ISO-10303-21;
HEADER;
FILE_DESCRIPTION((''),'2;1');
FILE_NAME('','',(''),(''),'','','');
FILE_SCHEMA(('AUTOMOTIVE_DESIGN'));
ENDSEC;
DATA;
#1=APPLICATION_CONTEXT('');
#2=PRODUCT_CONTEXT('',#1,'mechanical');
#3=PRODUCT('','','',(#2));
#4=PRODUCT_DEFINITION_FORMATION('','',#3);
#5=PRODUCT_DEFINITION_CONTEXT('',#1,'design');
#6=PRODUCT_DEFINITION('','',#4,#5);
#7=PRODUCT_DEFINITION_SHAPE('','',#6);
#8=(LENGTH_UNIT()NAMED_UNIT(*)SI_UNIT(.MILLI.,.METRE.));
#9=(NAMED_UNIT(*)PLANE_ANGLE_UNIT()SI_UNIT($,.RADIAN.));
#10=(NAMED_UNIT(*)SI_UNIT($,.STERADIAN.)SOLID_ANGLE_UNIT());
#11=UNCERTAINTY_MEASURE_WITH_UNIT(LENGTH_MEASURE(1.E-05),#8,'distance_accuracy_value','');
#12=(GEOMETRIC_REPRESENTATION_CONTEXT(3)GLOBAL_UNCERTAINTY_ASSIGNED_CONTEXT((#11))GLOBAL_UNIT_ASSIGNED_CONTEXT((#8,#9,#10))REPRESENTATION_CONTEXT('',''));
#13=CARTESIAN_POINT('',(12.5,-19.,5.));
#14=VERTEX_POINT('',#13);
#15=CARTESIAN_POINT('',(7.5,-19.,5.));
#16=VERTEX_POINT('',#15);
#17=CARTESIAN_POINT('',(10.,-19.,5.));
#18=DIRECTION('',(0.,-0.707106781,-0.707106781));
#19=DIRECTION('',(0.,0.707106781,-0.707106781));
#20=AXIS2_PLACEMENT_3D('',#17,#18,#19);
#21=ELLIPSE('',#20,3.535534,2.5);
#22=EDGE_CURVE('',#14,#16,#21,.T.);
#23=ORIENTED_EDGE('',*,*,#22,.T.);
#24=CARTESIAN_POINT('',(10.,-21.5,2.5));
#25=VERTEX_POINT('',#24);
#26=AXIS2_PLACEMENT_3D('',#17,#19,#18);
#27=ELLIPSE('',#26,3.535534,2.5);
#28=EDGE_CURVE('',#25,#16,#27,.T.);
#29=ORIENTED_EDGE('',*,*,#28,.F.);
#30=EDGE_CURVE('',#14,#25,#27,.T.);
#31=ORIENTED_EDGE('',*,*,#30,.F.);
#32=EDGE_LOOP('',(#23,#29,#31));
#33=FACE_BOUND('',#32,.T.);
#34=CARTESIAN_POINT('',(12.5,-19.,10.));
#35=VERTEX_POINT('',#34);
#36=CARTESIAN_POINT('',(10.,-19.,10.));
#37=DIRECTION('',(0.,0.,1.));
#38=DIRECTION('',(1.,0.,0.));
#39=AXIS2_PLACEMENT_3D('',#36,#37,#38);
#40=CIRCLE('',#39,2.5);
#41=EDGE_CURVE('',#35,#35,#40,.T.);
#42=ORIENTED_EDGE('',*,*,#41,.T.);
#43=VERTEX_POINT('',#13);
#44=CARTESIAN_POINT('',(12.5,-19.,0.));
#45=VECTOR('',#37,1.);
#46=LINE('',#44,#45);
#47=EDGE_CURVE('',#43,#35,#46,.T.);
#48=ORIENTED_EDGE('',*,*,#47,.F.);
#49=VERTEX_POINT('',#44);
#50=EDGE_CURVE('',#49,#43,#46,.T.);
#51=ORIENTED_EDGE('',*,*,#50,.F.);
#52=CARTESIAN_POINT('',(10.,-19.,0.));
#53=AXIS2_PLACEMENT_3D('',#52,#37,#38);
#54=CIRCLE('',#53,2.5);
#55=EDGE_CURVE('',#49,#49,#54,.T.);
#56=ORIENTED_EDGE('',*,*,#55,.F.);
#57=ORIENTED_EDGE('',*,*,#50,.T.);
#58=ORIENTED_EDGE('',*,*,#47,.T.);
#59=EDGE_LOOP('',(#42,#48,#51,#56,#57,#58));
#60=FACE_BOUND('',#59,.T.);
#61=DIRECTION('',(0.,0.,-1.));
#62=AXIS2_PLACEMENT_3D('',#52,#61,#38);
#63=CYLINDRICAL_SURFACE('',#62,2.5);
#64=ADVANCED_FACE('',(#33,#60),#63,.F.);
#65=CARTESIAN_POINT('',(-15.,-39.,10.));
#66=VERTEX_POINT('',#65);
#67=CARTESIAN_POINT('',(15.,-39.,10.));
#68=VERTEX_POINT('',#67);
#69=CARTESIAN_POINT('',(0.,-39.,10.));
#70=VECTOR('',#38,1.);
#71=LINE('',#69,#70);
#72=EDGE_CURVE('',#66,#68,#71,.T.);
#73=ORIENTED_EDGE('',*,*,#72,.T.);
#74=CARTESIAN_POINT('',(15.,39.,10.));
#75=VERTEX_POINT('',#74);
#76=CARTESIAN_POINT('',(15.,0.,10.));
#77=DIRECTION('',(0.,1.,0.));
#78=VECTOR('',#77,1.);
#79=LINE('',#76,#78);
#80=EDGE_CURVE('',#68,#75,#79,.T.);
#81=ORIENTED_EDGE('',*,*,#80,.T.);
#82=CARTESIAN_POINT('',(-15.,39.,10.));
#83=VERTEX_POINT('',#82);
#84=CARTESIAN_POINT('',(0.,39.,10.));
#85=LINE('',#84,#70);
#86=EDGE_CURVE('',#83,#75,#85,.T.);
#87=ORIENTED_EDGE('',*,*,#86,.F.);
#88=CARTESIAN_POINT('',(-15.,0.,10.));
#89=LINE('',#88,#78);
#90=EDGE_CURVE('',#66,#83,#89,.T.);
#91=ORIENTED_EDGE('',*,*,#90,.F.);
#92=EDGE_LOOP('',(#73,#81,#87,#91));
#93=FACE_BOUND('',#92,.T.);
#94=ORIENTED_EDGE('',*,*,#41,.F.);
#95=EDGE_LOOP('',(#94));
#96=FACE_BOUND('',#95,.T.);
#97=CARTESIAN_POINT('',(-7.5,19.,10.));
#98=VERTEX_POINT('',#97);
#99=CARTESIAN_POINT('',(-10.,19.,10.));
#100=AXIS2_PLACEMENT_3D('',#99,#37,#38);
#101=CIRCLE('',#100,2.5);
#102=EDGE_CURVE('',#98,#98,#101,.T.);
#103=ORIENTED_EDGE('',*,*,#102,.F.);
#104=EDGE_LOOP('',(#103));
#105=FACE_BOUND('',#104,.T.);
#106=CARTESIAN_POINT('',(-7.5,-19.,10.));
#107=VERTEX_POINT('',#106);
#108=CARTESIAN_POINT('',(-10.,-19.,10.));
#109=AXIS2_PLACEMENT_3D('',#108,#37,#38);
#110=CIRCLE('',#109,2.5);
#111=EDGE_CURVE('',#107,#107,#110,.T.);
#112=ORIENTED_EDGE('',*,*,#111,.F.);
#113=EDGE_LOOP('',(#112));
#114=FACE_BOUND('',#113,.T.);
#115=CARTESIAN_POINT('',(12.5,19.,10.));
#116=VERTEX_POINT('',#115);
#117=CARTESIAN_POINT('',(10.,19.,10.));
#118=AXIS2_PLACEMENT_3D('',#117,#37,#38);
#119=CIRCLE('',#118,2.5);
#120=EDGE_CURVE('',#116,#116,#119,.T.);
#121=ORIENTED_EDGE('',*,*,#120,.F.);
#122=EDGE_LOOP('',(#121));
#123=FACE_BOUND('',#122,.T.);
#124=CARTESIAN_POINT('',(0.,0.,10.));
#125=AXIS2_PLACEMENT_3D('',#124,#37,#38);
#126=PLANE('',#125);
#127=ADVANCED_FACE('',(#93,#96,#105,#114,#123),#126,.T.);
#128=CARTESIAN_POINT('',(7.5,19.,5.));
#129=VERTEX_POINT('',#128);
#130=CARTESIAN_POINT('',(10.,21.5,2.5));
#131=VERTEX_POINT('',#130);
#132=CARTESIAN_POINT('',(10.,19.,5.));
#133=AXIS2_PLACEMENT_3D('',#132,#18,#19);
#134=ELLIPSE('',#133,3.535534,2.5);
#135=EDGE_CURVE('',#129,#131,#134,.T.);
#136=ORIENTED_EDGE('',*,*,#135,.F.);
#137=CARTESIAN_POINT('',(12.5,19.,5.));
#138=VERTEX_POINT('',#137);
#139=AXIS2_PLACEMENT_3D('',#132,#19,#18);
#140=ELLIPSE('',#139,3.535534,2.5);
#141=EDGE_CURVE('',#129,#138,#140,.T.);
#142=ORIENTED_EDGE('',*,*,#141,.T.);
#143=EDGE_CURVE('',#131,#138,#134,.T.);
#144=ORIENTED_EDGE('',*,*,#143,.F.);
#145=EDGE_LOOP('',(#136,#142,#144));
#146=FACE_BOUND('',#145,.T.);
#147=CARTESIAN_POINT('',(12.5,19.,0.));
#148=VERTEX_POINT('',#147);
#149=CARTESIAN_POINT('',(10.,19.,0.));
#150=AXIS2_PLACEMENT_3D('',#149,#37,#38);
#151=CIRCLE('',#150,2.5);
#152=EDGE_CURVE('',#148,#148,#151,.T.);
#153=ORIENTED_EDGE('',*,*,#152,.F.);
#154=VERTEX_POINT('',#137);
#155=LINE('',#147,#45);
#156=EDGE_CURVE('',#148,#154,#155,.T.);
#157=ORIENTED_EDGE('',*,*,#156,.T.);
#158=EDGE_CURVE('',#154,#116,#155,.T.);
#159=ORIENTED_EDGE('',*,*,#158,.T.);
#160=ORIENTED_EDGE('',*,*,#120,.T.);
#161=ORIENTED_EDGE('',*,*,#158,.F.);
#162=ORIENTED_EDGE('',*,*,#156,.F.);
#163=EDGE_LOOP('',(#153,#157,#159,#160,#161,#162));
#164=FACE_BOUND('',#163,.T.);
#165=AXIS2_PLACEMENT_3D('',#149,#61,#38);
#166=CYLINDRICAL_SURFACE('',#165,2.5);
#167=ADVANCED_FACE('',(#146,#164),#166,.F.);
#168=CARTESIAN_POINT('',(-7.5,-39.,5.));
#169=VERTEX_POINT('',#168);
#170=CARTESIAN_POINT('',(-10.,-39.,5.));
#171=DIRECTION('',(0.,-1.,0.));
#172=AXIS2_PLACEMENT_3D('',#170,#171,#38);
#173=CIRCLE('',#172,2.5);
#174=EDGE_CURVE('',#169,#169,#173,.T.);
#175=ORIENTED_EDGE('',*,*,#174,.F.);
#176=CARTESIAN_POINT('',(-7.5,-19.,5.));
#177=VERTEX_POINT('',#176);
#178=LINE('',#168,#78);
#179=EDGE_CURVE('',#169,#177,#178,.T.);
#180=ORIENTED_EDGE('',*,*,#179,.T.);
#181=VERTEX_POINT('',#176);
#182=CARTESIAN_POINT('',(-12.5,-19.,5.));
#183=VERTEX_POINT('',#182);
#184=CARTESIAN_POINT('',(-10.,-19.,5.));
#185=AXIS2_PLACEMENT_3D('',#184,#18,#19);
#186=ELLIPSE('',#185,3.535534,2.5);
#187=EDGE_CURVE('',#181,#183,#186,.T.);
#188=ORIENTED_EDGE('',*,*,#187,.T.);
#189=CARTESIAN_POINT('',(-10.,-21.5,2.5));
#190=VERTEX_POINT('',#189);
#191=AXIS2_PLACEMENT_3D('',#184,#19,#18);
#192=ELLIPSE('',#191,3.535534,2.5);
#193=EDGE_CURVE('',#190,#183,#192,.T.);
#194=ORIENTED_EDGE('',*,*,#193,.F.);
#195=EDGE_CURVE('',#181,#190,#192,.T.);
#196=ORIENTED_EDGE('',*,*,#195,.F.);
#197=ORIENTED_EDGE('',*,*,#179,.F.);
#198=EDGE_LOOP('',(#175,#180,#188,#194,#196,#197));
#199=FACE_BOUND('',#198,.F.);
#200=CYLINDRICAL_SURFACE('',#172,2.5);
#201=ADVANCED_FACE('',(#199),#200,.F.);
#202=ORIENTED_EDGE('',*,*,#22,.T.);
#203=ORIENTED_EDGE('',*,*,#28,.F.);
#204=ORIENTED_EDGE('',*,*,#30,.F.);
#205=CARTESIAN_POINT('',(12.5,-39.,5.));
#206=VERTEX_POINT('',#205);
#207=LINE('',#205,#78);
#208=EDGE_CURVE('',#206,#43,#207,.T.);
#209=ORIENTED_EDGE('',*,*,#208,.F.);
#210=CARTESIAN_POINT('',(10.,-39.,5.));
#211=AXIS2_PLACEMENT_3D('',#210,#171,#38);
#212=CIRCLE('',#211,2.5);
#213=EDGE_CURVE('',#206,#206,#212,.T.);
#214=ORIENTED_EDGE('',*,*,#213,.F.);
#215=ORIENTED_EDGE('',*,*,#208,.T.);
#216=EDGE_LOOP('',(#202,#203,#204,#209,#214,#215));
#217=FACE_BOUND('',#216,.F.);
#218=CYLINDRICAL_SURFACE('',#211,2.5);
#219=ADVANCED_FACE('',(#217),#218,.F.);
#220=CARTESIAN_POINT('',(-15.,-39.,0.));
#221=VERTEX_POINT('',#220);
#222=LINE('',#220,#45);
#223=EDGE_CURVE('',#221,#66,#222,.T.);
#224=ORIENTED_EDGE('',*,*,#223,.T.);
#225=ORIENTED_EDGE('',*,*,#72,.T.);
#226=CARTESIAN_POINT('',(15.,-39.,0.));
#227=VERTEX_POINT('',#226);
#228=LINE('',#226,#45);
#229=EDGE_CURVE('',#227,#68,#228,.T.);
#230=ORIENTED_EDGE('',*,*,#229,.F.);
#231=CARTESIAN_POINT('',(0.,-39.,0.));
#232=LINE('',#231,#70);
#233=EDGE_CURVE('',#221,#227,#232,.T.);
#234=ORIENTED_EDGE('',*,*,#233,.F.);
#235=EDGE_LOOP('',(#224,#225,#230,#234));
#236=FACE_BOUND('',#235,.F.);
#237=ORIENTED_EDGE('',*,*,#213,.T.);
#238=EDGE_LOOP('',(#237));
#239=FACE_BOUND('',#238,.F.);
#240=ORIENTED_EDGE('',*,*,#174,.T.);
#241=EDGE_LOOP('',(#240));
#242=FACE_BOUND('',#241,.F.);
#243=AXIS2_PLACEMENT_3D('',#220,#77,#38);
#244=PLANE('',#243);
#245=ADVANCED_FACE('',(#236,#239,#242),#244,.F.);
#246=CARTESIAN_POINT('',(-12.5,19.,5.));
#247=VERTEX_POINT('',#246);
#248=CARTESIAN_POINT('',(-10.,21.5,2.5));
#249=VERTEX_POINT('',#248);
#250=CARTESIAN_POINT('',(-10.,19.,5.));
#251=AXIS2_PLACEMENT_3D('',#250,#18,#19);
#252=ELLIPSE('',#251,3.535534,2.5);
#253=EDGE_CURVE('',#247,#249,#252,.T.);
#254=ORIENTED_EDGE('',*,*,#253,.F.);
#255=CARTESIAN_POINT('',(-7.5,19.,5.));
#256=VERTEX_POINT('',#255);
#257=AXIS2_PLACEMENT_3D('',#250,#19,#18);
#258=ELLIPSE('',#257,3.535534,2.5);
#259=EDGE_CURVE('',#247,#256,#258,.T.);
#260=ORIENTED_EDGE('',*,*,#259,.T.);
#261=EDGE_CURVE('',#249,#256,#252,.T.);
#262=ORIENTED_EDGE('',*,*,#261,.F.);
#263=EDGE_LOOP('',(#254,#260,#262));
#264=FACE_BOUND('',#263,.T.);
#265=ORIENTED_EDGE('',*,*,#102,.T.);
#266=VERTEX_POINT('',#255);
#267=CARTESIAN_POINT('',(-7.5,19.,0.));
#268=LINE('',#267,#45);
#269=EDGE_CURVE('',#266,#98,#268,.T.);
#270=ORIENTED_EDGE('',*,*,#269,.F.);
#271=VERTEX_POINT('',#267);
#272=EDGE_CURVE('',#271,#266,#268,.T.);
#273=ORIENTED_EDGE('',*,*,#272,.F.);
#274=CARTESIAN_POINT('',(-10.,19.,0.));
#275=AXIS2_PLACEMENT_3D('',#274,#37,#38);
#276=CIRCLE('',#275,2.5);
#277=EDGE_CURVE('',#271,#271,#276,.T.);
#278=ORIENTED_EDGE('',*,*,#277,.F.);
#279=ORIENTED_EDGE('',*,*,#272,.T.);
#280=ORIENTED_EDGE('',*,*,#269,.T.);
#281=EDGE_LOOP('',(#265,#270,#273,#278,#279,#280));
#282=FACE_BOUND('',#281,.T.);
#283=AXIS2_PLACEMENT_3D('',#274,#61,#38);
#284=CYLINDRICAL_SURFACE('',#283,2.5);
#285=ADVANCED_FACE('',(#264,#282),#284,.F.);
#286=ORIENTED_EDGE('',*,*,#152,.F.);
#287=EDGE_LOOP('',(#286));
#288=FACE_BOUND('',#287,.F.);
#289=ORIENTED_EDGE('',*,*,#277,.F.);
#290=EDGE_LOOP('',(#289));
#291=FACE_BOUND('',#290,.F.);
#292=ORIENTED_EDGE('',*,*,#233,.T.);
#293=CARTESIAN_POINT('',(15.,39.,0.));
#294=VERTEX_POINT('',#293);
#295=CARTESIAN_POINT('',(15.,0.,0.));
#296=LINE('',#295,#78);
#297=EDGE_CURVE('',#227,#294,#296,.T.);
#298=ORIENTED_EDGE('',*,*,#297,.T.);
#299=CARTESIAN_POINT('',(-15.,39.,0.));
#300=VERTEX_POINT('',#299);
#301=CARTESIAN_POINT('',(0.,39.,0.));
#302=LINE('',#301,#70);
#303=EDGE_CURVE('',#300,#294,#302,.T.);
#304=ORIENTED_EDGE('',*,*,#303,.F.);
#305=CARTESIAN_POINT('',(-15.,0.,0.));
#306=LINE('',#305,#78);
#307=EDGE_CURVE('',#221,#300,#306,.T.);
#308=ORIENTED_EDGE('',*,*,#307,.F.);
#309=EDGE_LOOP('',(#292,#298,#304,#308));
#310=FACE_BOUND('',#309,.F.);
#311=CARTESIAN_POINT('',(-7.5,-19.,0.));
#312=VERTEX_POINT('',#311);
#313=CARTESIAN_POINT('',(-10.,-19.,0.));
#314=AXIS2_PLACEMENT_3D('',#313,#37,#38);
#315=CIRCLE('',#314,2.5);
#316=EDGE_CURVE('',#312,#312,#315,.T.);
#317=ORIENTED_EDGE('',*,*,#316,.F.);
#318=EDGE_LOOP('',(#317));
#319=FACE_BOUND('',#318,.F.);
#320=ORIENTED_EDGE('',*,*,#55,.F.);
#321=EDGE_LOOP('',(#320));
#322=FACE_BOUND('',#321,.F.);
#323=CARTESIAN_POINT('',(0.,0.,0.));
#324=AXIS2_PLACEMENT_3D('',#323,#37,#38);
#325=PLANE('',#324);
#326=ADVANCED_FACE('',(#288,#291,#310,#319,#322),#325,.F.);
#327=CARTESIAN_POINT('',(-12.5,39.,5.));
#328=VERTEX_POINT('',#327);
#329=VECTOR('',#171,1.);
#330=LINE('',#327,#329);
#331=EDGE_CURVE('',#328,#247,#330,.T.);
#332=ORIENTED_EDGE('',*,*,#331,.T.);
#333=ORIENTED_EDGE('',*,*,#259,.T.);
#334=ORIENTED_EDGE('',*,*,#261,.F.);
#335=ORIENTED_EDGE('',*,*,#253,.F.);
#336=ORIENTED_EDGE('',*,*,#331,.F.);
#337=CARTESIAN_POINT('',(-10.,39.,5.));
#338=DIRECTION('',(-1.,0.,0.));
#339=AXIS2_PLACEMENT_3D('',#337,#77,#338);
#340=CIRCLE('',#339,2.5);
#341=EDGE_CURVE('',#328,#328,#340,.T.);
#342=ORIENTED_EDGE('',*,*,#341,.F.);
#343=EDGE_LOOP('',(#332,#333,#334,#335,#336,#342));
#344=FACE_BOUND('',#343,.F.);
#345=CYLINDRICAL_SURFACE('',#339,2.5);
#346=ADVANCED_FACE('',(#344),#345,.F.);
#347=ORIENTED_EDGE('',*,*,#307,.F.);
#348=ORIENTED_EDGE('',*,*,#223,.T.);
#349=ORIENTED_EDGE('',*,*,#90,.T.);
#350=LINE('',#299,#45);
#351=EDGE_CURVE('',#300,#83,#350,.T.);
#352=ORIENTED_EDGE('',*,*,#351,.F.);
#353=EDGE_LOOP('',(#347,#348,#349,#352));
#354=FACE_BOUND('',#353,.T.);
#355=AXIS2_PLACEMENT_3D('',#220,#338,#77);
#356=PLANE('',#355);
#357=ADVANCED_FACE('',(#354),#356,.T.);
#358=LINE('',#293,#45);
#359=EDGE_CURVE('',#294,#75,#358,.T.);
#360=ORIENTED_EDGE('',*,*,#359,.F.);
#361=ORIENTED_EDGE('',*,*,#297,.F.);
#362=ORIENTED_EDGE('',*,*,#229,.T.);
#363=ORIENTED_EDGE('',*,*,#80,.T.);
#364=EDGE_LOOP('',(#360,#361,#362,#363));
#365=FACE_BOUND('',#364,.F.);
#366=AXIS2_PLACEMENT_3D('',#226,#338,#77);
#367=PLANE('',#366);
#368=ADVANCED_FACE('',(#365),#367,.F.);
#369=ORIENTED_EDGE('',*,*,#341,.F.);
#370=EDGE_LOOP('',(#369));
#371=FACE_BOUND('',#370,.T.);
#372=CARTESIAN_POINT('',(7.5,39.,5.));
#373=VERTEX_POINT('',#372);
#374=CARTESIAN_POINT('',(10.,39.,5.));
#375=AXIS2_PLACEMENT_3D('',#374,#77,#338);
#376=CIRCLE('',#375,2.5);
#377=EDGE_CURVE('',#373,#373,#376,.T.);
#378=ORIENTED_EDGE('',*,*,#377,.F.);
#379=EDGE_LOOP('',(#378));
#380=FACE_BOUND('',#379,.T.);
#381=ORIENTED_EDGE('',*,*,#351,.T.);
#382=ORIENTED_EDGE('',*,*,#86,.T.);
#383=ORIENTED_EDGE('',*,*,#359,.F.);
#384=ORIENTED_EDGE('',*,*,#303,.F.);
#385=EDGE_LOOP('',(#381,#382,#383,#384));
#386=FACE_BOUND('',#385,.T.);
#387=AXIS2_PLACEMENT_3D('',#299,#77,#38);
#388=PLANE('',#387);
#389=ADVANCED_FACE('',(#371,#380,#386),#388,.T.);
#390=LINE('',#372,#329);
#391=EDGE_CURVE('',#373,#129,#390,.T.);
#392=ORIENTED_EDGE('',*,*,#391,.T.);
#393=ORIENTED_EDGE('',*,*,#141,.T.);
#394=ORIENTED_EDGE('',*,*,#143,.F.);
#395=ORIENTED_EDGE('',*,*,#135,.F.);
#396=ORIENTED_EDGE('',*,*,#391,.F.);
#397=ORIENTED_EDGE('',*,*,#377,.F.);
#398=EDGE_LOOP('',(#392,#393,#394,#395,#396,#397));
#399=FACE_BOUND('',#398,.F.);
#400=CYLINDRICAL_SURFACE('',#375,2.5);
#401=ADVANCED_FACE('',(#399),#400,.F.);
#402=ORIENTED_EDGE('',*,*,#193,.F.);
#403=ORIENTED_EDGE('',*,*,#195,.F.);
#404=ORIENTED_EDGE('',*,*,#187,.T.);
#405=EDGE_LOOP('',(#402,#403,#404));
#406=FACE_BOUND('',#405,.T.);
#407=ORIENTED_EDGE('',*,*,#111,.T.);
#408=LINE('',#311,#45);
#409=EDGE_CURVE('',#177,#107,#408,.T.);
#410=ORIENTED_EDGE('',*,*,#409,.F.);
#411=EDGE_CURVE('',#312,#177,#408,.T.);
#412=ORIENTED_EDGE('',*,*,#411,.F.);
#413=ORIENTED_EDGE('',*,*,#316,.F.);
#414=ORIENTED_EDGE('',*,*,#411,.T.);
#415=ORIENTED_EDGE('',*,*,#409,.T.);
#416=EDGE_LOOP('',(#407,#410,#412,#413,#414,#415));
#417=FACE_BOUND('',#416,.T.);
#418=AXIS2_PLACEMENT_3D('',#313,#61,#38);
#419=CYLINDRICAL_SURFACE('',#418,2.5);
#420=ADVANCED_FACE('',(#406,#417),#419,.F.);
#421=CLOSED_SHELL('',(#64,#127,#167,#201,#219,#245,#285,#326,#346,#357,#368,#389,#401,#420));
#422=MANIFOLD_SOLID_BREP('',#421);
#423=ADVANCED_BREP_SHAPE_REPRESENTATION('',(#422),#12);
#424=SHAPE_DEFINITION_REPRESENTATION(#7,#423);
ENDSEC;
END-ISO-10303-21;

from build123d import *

# Parameters (mm, degrees)
F0_W     = 30
F0_H     = 78
F0_R     = 2.5
F1_DEPTH = 10
F2_R     = 2.5
F3_DEPTH = 20
F4_R     = 2.5
F5_DEPTH = 20


with BuildPart() as f1:
    # F0 (on Top) → F1 (new body)
    with BuildSketch(Plane.XY):
        Rectangle(F0_W, F0_H)
        with Locations((-10, -19)):
            Circle(F0_R, mode=Mode.SUBTRACT)
        with Locations((10, -19)):
            Circle(F0_R, mode=Mode.SUBTRACT)
        with Locations((-10, 19)):
            Circle(F0_R, mode=Mode.SUBTRACT)
        with Locations((10, 19)):
            Circle(F0_R, mode=Mode.SUBTRACT)
    extrude(amount=F1_DEPTH)

    # F2 (on face) → F3 (cut)
    with BuildSketch(Plane(origin=(0, 39, 0), x_dir=(-1, 0, 0), z_dir=(0, 1, 0))):
        with Locations((-10, 5)):
            Circle(F2_R)
        with Locations((10, 5)):
            Circle(F2_R)
    extrude(amount=-F3_DEPTH, mode=Mode.SUBTRACT)

    # F4 (on face) → F5 (cut)
    with BuildSketch(Plane.XZ.offset(39)):
        with Locations((-10, 5)):
            Circle(F4_R)
        with Locations((10, 5)):
            Circle(F4_R)
    extrude(amount=-F5_DEPTH, mode=Mode.SUBTRACT)


solid = f1.part
